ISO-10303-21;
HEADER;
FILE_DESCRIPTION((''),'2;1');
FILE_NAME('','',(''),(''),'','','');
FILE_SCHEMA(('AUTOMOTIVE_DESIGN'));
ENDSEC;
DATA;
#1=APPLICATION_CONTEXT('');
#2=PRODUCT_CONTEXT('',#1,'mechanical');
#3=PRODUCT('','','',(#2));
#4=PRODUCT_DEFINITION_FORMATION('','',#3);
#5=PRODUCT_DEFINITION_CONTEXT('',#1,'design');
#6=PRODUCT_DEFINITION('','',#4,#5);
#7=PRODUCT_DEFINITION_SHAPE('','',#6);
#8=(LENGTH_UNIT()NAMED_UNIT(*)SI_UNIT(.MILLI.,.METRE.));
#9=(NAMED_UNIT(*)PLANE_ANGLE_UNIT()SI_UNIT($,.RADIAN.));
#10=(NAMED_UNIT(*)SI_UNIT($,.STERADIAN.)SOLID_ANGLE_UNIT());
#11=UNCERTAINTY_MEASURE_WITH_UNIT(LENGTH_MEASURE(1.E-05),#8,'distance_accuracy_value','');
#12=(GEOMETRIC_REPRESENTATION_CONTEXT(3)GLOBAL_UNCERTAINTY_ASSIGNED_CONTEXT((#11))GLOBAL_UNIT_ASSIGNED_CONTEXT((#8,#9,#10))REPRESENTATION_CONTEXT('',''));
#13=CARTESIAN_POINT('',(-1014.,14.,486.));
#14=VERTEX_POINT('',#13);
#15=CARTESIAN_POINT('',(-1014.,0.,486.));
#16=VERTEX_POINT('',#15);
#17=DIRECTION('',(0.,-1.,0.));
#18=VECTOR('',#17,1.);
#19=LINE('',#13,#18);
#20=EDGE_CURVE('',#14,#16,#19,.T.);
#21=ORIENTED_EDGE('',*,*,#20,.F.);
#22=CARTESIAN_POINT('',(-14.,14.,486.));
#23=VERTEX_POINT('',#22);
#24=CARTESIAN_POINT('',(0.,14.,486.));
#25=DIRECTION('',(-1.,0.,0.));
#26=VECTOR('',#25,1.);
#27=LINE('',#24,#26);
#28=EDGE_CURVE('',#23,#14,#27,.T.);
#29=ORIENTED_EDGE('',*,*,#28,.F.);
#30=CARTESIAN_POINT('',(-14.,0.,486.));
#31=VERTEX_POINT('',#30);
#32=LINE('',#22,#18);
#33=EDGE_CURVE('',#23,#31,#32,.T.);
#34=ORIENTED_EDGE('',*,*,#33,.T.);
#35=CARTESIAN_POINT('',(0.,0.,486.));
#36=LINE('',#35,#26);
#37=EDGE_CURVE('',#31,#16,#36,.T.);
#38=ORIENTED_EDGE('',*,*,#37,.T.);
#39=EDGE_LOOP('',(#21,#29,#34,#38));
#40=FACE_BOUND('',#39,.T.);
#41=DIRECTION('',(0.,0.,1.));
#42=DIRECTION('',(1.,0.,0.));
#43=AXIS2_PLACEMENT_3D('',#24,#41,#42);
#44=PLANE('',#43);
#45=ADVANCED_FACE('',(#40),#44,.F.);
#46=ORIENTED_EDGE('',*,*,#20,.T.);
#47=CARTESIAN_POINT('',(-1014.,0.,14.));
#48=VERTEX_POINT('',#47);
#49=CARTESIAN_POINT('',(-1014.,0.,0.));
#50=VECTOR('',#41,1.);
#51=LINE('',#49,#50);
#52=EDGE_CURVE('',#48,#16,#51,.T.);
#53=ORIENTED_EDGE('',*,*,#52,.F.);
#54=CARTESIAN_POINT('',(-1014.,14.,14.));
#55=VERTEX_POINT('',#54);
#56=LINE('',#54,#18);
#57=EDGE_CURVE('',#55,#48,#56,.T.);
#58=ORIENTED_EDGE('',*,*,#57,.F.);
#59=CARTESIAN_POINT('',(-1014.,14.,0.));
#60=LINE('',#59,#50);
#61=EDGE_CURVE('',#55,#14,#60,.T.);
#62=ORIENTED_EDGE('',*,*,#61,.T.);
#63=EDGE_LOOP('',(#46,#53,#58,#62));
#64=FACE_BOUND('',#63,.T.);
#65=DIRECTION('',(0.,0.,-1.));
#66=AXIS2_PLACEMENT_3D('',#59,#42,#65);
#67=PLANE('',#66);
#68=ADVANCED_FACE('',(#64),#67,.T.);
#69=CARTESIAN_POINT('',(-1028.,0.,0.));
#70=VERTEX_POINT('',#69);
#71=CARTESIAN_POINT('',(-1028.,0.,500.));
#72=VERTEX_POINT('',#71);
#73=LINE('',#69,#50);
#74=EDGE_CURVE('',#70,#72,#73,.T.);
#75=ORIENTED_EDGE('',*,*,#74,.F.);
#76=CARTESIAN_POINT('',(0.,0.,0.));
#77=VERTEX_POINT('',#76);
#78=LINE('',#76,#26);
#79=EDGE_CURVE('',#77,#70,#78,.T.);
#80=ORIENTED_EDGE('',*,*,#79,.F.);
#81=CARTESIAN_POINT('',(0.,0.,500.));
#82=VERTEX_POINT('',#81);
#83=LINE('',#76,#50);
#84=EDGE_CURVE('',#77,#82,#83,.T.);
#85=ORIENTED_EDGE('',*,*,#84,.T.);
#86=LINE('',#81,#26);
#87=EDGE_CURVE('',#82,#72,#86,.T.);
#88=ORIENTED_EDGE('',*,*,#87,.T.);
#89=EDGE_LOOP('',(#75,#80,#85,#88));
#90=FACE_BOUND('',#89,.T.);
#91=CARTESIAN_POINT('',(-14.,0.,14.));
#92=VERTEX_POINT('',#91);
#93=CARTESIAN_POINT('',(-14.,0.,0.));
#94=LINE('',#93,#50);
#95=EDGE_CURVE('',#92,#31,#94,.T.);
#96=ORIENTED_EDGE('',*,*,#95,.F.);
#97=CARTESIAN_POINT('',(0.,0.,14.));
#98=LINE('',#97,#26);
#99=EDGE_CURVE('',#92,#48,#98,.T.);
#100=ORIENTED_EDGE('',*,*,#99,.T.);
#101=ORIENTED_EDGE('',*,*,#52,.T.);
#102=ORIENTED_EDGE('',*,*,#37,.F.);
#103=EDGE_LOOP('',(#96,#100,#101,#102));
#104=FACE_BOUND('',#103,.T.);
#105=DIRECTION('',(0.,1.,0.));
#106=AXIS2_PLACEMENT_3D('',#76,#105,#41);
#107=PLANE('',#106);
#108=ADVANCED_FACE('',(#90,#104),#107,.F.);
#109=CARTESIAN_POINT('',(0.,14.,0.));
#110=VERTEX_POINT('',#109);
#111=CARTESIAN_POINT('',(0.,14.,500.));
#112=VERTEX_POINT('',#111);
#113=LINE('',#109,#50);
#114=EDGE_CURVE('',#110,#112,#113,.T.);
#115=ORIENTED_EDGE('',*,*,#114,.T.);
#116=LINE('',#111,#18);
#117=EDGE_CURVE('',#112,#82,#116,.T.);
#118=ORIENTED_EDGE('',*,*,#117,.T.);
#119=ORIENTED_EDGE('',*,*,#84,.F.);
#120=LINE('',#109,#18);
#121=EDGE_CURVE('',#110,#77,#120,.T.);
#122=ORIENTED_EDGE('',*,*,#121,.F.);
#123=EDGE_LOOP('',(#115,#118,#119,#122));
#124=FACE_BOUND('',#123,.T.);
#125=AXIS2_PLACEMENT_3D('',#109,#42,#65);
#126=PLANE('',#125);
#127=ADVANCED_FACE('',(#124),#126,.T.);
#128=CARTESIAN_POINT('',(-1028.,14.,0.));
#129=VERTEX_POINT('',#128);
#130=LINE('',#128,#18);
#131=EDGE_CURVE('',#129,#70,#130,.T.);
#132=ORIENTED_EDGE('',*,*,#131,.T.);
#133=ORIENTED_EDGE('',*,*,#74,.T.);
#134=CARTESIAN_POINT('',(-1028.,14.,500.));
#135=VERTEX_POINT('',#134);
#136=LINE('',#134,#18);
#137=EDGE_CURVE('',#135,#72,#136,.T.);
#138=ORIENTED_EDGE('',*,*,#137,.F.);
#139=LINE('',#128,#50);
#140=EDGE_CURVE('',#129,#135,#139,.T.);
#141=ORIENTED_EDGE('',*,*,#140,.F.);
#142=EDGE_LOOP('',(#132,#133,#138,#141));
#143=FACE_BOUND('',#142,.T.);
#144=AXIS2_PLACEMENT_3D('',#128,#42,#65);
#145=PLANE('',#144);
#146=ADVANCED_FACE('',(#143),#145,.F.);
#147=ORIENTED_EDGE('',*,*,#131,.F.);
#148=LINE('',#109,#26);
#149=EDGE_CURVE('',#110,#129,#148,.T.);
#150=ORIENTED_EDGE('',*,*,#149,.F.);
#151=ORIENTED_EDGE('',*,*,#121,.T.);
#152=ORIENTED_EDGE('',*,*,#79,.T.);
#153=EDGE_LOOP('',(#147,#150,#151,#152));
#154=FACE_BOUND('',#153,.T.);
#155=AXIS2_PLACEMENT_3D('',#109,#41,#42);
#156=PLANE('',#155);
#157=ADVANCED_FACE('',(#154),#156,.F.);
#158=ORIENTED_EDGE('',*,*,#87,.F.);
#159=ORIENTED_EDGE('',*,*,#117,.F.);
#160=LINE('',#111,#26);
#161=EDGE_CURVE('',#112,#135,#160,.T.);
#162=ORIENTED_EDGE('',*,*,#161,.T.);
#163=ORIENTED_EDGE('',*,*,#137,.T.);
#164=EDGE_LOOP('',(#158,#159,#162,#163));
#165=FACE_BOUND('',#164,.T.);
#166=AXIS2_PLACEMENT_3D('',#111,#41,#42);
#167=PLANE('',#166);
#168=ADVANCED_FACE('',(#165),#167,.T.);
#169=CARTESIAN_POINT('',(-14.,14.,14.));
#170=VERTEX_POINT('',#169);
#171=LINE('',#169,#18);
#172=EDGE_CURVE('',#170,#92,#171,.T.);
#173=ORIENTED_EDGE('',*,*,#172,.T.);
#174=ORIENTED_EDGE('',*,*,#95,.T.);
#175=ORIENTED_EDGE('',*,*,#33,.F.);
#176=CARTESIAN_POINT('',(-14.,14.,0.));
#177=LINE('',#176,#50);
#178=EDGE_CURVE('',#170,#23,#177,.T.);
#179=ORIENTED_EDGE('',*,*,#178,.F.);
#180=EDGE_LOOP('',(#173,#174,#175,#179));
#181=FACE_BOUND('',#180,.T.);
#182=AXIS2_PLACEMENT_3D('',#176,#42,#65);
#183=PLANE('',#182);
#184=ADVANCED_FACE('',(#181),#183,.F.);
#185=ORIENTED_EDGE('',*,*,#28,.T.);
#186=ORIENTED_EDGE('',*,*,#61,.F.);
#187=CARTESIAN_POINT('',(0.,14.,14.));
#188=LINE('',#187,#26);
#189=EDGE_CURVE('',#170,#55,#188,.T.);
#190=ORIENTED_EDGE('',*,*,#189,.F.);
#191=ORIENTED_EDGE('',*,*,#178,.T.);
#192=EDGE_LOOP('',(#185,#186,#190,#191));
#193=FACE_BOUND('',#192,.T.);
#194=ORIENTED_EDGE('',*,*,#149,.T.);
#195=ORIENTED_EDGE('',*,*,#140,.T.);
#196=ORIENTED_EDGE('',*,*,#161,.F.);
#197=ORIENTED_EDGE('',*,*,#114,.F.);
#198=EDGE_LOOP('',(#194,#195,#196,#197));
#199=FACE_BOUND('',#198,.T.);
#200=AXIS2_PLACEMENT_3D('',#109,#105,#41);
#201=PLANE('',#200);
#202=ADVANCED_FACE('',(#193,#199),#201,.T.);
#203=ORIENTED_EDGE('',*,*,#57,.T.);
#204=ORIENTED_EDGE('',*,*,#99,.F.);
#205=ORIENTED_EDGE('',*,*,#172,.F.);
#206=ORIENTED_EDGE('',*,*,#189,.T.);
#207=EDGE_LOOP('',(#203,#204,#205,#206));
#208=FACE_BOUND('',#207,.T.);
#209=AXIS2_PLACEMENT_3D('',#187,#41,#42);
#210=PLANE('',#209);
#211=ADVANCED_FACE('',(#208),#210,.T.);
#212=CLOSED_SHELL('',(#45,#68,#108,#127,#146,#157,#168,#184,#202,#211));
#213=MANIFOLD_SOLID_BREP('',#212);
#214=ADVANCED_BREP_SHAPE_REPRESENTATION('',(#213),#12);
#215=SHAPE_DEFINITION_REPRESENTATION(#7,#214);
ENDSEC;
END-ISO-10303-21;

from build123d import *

# Parameters (mm, degrees)
SKETCH1_W           = 1028
SKETCH1_H           = 500
SKETCH1_W_2         = 1000
SKETCH1_H_2         = 472
BOSS_EXTRUDE1_DEPTH = 14


with BuildPart() as part:
    # Sketch1 → Boss-Extrude1 (new body)
    with BuildSketch(Plane(origin=(0, 0, 0), x_dir=(1, 0, 0), z_dir=(0, 1, 0))):
        with Locations((-514, -250)):
            Rectangle(SKETCH1_W, SKETCH1_H)
        with Locations((-514, -250)):
            Rectangle(SKETCH1_W_2, SKETCH1_H_2, mode=Mode.SUBTRACT)
    extrude(amount=BOSS_EXTRUDE1_DEPTH)


solid = part.part
